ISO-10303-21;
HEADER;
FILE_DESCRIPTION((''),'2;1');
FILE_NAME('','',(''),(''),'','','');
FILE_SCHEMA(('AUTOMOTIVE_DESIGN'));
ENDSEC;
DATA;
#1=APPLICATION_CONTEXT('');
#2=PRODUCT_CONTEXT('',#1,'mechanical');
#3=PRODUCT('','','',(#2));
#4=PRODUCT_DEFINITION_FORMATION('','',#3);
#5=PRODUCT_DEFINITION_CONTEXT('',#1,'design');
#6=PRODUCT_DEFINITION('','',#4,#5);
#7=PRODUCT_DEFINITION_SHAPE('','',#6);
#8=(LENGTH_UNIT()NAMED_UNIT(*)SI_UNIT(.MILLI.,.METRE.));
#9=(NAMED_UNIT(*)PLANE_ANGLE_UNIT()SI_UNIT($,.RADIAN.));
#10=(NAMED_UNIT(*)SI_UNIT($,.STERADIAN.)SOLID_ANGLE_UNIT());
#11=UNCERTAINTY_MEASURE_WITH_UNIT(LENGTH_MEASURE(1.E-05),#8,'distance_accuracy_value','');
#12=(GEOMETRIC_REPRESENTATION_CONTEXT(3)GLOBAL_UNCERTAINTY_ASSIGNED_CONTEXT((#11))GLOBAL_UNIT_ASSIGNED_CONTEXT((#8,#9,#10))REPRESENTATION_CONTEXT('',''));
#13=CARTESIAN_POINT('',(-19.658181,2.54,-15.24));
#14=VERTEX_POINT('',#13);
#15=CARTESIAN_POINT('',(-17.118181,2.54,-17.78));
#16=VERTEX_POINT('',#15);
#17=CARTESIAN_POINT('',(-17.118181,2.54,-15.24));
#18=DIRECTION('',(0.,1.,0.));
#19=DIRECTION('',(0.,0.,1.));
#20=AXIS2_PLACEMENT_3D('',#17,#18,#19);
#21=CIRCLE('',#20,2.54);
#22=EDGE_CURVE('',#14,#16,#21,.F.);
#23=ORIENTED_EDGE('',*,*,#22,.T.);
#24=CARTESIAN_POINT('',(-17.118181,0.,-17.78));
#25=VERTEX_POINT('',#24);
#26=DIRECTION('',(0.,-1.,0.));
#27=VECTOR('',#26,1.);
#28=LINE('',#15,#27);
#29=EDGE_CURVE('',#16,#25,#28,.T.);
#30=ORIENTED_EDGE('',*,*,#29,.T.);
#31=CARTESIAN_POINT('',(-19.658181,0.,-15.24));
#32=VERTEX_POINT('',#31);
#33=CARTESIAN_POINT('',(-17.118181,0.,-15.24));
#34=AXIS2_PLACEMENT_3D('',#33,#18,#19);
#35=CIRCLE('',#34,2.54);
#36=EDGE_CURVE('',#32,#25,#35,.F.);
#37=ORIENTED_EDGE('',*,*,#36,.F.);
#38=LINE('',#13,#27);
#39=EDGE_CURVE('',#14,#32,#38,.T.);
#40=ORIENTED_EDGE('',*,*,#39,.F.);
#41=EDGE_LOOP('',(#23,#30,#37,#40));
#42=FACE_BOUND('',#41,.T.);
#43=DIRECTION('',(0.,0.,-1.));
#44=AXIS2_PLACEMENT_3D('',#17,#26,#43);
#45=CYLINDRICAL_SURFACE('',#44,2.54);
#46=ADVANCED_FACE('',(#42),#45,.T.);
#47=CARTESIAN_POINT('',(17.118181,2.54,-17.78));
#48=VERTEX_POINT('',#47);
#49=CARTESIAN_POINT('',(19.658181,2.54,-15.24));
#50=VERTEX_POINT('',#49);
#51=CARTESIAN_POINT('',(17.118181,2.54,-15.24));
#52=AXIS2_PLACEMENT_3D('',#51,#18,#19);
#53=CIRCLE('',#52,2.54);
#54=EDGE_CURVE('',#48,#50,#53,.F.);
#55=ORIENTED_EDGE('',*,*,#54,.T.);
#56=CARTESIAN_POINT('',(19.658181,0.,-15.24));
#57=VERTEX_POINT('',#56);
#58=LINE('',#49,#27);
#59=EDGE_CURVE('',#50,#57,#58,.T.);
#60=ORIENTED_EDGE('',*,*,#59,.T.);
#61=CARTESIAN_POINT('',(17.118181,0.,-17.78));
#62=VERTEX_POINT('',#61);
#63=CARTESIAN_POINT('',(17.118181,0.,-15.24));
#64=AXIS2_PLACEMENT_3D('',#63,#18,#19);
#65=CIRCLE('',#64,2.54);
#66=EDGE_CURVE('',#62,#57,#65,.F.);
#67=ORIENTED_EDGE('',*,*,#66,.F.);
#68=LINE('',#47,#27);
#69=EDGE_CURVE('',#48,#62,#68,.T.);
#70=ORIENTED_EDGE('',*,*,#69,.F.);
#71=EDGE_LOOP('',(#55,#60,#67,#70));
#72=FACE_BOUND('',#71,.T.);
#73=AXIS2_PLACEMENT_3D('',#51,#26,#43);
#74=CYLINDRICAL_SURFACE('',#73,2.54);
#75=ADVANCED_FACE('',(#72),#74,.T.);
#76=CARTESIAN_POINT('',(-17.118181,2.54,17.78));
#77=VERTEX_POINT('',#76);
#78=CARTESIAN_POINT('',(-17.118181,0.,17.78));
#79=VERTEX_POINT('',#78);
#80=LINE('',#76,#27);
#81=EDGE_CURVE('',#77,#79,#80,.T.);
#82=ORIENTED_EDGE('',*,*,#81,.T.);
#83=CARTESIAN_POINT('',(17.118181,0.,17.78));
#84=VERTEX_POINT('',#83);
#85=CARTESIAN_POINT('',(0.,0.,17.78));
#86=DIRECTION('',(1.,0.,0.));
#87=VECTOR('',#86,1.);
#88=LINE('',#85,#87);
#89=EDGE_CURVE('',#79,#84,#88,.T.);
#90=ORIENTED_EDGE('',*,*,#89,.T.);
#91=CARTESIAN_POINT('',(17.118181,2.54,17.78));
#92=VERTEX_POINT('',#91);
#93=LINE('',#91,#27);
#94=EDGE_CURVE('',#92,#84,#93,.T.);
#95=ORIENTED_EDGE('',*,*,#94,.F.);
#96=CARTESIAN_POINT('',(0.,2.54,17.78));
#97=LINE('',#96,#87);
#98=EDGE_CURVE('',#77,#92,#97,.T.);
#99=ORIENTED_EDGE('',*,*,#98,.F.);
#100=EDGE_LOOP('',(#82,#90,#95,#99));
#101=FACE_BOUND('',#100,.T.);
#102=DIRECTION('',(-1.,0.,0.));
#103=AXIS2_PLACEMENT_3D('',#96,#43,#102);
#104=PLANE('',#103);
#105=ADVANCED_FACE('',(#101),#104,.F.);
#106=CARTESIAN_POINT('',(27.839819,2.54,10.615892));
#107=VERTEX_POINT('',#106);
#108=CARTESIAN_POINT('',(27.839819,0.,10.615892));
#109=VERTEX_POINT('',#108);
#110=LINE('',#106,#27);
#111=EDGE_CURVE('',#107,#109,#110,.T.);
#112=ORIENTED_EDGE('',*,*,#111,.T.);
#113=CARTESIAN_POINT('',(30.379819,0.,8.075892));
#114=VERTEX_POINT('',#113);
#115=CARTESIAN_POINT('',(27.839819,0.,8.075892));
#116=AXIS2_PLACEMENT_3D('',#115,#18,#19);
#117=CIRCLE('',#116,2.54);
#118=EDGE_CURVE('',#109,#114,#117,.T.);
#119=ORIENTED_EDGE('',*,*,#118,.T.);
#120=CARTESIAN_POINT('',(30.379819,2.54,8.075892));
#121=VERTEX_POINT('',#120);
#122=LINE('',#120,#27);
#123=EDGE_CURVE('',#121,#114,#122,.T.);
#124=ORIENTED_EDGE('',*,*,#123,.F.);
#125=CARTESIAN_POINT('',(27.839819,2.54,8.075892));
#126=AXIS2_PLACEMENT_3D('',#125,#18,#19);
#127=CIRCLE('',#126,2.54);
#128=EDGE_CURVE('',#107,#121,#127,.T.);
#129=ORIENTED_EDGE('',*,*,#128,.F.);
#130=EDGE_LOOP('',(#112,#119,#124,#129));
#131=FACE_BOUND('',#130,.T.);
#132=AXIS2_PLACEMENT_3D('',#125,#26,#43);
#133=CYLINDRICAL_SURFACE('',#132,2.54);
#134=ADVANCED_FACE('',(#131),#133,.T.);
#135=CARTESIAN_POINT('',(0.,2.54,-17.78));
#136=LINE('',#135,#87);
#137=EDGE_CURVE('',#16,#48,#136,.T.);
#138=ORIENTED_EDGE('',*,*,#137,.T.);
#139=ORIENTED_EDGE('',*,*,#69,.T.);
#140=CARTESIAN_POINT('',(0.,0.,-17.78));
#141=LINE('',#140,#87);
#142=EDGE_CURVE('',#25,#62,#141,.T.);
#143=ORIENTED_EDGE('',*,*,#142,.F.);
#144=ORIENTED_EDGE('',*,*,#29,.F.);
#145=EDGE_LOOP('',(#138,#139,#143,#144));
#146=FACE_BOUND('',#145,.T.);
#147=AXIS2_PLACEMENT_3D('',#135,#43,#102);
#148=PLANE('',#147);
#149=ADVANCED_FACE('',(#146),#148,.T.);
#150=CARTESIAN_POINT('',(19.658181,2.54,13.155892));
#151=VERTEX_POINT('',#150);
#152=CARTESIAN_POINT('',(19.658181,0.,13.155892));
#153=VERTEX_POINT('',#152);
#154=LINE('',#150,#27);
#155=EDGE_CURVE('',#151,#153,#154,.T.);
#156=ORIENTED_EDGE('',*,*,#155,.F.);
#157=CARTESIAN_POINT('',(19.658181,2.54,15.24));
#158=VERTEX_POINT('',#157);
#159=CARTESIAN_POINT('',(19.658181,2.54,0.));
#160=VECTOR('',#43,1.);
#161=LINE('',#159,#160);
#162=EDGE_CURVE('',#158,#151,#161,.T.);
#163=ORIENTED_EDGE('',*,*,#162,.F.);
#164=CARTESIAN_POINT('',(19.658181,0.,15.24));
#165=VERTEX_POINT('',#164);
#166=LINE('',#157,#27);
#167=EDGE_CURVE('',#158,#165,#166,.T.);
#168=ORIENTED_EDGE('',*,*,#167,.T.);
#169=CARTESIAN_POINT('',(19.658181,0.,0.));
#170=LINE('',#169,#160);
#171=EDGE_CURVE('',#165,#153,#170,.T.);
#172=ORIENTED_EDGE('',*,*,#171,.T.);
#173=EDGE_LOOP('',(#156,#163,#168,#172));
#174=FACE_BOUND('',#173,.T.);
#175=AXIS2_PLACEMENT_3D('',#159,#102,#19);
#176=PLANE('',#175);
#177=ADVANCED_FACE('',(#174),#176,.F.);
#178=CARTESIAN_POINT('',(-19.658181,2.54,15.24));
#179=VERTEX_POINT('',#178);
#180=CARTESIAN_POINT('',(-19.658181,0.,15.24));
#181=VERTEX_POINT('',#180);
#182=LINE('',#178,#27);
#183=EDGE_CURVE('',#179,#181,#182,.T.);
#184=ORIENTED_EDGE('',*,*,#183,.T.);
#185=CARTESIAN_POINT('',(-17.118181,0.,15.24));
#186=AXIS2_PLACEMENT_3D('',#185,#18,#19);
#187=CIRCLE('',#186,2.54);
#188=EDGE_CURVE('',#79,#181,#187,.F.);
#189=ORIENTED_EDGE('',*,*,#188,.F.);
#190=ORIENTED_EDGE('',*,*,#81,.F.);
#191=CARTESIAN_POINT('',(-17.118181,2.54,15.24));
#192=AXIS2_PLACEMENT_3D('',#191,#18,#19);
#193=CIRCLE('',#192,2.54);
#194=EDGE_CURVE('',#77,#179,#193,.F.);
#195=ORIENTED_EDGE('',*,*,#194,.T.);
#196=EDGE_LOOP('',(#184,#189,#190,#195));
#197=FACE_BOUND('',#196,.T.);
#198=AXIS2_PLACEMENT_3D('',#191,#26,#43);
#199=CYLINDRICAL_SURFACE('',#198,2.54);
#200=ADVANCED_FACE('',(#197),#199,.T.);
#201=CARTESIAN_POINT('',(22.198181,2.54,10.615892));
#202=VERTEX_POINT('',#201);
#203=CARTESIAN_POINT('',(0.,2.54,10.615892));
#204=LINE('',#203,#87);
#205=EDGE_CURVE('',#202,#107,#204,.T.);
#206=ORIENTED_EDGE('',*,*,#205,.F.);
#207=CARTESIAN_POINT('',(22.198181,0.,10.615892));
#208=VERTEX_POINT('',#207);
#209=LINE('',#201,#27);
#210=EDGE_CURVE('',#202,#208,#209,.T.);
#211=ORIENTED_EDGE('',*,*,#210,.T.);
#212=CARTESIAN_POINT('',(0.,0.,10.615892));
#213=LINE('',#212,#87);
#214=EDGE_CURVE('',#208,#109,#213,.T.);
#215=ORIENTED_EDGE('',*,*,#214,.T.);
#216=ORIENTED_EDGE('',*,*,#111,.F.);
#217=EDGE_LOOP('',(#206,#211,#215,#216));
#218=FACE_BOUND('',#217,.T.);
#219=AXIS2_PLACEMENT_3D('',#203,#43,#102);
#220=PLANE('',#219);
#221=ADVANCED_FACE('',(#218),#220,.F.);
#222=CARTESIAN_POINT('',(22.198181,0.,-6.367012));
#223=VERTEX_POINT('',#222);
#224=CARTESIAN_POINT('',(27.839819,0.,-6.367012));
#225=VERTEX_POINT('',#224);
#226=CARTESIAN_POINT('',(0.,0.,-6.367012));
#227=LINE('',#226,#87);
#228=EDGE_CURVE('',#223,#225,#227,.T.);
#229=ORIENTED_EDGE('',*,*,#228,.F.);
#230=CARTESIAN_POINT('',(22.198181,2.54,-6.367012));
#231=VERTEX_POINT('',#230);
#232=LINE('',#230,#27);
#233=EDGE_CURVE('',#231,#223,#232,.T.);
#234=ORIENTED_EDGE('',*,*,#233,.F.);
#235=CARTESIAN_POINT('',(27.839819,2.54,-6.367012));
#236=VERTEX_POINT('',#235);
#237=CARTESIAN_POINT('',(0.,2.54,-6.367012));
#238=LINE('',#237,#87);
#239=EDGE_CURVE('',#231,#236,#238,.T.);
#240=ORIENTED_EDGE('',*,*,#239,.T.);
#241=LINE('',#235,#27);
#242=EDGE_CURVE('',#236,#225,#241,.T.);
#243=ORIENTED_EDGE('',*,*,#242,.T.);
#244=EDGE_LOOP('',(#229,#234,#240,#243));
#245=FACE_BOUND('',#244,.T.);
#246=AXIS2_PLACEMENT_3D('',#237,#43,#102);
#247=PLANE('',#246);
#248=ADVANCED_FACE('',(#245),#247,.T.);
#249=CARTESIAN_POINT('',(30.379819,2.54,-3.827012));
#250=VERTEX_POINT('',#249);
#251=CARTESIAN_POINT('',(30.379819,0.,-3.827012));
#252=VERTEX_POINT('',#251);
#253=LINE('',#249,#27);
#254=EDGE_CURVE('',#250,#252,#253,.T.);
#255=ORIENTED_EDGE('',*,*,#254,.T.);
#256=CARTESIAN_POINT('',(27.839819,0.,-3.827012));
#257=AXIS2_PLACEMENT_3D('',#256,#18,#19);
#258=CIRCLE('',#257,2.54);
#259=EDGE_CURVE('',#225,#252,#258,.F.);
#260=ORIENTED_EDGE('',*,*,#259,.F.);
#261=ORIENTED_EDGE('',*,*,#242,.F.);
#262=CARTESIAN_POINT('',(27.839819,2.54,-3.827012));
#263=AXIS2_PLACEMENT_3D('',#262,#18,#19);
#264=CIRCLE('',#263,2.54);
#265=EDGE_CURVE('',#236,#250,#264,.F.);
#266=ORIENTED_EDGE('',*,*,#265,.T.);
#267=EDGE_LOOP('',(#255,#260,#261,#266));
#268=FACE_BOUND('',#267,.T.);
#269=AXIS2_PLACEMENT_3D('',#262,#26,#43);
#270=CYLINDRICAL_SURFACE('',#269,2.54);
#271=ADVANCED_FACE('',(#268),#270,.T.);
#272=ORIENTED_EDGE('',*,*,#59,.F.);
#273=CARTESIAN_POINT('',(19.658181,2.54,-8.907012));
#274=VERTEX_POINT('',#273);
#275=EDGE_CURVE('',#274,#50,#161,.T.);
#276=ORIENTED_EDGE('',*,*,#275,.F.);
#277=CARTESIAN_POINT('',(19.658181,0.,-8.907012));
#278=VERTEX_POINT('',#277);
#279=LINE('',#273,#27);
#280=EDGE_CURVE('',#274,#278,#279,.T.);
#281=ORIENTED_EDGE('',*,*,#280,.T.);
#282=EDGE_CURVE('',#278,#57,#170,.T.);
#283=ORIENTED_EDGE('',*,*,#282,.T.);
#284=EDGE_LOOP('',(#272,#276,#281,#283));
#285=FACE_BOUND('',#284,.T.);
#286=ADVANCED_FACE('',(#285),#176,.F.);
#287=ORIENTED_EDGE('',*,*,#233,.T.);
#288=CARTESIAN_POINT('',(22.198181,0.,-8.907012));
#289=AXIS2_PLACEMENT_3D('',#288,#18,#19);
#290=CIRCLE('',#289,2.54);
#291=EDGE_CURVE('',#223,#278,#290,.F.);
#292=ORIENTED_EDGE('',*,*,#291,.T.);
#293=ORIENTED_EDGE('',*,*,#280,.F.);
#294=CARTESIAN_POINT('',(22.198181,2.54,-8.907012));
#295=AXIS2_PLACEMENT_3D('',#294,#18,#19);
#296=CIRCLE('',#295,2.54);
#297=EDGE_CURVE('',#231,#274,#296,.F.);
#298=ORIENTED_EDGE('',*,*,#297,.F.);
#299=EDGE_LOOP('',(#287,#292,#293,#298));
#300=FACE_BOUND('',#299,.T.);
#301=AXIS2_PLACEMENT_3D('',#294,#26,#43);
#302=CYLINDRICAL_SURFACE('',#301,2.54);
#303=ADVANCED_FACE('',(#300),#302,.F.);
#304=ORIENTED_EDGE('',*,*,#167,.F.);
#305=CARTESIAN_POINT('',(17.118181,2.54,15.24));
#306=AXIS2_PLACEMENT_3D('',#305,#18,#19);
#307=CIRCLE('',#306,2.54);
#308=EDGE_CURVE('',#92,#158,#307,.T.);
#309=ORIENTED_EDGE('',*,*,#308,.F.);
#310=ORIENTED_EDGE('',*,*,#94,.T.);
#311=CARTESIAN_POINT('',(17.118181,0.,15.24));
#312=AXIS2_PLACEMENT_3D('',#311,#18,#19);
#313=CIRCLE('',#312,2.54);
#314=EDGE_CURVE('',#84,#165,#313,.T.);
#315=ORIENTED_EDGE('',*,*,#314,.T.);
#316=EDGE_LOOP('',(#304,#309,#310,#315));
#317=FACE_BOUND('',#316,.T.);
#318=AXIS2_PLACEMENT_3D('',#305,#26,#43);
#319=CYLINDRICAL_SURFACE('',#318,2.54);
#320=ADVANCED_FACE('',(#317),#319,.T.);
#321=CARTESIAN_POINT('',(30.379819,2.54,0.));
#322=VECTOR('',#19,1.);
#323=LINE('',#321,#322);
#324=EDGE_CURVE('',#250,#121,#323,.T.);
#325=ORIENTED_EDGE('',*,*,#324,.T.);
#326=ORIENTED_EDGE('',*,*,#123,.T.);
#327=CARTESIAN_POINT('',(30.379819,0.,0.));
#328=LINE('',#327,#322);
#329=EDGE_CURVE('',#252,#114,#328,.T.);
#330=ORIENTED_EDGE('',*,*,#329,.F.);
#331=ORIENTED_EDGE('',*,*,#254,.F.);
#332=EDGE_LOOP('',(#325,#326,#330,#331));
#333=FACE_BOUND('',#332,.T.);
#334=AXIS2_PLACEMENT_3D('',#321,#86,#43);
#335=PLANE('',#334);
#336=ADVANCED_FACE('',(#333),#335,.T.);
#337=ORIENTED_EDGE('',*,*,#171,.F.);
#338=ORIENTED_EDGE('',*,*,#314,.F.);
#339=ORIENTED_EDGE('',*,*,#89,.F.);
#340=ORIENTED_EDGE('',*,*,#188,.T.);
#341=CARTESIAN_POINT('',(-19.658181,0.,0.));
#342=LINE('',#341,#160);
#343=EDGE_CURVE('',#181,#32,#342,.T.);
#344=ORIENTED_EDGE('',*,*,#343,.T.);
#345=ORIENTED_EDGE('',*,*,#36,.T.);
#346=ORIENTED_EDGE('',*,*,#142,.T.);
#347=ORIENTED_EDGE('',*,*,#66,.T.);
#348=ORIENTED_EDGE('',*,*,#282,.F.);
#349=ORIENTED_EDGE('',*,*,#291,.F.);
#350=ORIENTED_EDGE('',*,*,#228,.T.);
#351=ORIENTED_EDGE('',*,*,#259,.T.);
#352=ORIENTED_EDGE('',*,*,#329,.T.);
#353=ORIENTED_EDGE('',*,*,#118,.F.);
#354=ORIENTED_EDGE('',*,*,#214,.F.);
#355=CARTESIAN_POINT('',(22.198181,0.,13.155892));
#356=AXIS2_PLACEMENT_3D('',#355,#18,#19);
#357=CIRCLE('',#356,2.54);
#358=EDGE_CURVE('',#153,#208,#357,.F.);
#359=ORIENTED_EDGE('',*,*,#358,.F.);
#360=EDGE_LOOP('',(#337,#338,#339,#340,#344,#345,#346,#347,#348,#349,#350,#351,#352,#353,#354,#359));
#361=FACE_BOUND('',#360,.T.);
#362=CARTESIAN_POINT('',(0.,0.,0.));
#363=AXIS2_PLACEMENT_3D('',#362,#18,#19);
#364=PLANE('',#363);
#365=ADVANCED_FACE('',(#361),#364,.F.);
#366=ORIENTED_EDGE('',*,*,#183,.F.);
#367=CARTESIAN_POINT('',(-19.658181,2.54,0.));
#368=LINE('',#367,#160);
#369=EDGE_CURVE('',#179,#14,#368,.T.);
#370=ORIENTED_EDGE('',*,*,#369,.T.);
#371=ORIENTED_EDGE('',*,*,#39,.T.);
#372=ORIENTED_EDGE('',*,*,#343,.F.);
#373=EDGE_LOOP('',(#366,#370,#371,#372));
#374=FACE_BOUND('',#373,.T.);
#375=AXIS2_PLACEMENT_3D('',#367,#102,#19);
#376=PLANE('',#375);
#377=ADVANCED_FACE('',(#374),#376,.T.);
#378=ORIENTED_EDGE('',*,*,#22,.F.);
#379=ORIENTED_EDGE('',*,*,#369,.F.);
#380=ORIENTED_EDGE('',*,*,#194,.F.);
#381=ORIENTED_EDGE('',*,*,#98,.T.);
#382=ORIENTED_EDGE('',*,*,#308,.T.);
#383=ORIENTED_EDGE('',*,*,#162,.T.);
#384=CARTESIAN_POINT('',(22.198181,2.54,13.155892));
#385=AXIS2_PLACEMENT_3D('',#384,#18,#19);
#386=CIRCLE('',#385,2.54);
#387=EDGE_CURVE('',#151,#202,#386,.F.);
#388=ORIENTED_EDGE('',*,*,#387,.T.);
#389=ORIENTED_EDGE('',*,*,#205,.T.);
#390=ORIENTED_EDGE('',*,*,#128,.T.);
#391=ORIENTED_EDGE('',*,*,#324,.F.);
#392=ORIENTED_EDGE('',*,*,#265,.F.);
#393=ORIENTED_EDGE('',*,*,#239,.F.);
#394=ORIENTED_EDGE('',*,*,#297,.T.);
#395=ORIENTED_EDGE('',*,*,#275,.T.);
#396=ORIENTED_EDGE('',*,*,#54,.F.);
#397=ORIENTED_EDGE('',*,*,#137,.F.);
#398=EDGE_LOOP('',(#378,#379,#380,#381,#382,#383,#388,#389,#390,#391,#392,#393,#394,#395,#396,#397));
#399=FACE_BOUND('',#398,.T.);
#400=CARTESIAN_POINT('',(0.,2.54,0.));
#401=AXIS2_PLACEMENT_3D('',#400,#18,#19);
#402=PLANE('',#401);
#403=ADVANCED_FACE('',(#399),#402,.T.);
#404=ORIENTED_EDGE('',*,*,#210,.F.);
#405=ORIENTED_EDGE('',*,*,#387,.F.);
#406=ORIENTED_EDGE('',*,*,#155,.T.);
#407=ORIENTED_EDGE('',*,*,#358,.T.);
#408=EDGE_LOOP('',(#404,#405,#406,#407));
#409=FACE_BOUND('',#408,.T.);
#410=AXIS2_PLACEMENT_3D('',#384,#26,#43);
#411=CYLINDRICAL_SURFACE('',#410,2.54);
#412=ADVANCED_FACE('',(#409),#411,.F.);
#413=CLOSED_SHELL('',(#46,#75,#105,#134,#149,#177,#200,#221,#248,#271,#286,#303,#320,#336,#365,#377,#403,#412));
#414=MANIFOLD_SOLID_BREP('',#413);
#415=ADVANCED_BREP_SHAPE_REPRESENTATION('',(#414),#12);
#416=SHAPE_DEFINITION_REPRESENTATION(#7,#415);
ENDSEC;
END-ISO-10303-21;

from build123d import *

# Parameters (mm, degrees)
BOSS_EXTRUDE1_DEPTH = 2.54


with BuildPart() as part:
    # Sketch1 → Boss-Extrude1 (new body)
    with BuildSketch(Plane(origin=(0, 0, 0), x_dir=(1, 0, 0), z_dir=(0, 1, 0))):
        with BuildLine():
            Line((19.658181164, 8.90701227), (19.658181164, 15.24))
            ThreePointArc((19.658181164, 15.24), (18.914232389, 17.036051224), (17.118181164, 17.78))
            Line((17.118181164, 17.78), (-17.118181164, 17.78))
            ThreePointArc((-17.118181164, 17.78), (-18.914232389, 17.036051224), (-19.658181164, 15.24))
            Line((-19.658181164, 15.24), (-19.658181164, -15.24))
            ThreePointArc((-19.658181164, -15.24), (-18.914232389, -17.036051224), (-17.118181164, -17.78))
            Line((-17.118181164, -17.78), (17.118181164, -17.78))
            ThreePointArc((17.118181164, -17.78), (18.914232389, -17.036051224), (19.658181164, -15.24))
            Line((19.658181164, -15.24), (19.658181164, -13.155891848))
            ThreePointArc((19.658181164, -13.155891848), (20.40212994, -11.359840624), (22.198181164, -10.615891848))
            Line((22.198181164, -10.615891848), (27.839818836, -10.615891848))
            ThreePointArc((27.839818836, -10.615891848), (29.63587006, -9.871943072), (30.379818836, -8.075891848))
            Line((30.379818836, -8.075891848), (30.379818836, 3.82701227))
            ThreePointArc((30.379818836, 3.82701227), (29.63587006, 5.623063494), (27.839818836, 6.36701227))
            Line((27.839818836, 6.36701227), (22.198181164, 6.36701227))
            ThreePointArc((22.198181164, 6.36701227), (20.40212994, 7.110961045), (19.658181164, 8.90701227))
        make_face()
    extrude(amount=BOSS_EXTRUDE1_DEPTH)


solid = part.part
